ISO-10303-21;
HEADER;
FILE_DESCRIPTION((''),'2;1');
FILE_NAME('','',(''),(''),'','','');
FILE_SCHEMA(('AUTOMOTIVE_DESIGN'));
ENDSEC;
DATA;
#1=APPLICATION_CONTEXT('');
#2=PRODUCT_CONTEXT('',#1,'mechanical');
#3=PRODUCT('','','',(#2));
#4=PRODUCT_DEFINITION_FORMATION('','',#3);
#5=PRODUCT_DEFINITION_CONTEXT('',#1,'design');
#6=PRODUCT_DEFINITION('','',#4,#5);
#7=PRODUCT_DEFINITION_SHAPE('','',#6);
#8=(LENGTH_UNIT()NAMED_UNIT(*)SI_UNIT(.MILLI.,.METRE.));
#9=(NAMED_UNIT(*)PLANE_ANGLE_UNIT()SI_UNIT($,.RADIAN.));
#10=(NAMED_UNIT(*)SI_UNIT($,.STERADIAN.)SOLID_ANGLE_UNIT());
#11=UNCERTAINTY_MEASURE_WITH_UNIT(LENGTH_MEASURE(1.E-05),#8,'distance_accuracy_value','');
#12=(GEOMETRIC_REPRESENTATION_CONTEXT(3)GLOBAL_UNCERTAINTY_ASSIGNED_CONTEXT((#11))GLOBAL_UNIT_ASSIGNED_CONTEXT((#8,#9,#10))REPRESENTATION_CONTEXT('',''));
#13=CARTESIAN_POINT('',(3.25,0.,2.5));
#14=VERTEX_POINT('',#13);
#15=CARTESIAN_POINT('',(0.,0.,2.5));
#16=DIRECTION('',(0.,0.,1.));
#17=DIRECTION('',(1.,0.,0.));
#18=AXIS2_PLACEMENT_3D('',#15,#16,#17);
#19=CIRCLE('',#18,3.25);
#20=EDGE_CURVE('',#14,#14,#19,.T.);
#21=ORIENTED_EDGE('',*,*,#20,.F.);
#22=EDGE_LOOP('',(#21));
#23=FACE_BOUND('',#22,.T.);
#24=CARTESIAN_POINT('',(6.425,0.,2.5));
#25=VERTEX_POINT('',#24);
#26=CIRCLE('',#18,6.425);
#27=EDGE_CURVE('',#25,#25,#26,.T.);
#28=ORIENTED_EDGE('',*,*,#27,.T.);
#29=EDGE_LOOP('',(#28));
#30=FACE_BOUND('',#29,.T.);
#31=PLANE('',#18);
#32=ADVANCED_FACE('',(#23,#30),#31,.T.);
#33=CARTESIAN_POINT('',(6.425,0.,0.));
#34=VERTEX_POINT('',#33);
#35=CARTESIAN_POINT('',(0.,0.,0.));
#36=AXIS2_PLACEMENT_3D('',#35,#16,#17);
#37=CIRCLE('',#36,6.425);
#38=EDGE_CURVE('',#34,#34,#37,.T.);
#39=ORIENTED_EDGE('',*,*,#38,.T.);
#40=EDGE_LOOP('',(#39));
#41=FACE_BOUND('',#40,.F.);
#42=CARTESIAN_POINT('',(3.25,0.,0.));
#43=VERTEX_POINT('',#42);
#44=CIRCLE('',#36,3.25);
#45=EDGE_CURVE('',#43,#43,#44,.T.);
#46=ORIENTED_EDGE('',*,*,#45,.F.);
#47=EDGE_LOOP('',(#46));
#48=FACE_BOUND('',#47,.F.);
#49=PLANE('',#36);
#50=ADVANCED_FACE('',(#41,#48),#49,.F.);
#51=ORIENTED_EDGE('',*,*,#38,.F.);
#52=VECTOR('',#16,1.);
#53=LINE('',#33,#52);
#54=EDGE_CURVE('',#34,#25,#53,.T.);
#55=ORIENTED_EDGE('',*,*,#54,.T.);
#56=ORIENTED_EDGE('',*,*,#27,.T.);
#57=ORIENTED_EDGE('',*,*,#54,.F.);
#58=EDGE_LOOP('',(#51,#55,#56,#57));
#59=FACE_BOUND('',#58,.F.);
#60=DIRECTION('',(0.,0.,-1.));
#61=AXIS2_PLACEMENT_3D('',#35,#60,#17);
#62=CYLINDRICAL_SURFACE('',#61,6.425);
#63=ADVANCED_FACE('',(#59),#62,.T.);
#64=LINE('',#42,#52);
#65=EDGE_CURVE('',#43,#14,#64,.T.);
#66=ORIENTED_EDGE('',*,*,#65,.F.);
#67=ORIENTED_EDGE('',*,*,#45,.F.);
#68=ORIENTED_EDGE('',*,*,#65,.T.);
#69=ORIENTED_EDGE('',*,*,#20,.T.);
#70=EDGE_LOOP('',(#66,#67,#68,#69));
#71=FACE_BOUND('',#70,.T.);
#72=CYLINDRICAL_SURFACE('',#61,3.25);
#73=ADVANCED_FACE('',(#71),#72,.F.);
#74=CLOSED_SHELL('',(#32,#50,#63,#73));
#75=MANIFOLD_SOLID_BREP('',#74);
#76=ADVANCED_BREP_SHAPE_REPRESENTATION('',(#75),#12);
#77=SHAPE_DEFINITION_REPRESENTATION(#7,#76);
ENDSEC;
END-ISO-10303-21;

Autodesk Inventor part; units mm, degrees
ref_plane "YZ Plane" through (0, 0, 0) normal (1, 0, 0) x (0, 1, 0)
ref_plane "XZ Plane" through (0, 0, 0) normal (0, 1, 0) x (-1, 0, 0)
ref_plane "XY Plane" through (0, 0, 0) normal (0, 0, 1) x (1, 0, 0)
sketch "Sketch1" plane through (0, 0, 0) normal (0, 0, 1) x (1, 0, 0)
  circle A0 centre (0, 0) radius 3.25
  circle A1 centre (0, 0) radius 6.425
  dimension "d0" = 6.5
  dimension "d2" = 3.175
extrude "Extrusion1" add sketch "Sketch1" along normal blind 2.5
properties part number "wheel_spacer_2.5mm"
